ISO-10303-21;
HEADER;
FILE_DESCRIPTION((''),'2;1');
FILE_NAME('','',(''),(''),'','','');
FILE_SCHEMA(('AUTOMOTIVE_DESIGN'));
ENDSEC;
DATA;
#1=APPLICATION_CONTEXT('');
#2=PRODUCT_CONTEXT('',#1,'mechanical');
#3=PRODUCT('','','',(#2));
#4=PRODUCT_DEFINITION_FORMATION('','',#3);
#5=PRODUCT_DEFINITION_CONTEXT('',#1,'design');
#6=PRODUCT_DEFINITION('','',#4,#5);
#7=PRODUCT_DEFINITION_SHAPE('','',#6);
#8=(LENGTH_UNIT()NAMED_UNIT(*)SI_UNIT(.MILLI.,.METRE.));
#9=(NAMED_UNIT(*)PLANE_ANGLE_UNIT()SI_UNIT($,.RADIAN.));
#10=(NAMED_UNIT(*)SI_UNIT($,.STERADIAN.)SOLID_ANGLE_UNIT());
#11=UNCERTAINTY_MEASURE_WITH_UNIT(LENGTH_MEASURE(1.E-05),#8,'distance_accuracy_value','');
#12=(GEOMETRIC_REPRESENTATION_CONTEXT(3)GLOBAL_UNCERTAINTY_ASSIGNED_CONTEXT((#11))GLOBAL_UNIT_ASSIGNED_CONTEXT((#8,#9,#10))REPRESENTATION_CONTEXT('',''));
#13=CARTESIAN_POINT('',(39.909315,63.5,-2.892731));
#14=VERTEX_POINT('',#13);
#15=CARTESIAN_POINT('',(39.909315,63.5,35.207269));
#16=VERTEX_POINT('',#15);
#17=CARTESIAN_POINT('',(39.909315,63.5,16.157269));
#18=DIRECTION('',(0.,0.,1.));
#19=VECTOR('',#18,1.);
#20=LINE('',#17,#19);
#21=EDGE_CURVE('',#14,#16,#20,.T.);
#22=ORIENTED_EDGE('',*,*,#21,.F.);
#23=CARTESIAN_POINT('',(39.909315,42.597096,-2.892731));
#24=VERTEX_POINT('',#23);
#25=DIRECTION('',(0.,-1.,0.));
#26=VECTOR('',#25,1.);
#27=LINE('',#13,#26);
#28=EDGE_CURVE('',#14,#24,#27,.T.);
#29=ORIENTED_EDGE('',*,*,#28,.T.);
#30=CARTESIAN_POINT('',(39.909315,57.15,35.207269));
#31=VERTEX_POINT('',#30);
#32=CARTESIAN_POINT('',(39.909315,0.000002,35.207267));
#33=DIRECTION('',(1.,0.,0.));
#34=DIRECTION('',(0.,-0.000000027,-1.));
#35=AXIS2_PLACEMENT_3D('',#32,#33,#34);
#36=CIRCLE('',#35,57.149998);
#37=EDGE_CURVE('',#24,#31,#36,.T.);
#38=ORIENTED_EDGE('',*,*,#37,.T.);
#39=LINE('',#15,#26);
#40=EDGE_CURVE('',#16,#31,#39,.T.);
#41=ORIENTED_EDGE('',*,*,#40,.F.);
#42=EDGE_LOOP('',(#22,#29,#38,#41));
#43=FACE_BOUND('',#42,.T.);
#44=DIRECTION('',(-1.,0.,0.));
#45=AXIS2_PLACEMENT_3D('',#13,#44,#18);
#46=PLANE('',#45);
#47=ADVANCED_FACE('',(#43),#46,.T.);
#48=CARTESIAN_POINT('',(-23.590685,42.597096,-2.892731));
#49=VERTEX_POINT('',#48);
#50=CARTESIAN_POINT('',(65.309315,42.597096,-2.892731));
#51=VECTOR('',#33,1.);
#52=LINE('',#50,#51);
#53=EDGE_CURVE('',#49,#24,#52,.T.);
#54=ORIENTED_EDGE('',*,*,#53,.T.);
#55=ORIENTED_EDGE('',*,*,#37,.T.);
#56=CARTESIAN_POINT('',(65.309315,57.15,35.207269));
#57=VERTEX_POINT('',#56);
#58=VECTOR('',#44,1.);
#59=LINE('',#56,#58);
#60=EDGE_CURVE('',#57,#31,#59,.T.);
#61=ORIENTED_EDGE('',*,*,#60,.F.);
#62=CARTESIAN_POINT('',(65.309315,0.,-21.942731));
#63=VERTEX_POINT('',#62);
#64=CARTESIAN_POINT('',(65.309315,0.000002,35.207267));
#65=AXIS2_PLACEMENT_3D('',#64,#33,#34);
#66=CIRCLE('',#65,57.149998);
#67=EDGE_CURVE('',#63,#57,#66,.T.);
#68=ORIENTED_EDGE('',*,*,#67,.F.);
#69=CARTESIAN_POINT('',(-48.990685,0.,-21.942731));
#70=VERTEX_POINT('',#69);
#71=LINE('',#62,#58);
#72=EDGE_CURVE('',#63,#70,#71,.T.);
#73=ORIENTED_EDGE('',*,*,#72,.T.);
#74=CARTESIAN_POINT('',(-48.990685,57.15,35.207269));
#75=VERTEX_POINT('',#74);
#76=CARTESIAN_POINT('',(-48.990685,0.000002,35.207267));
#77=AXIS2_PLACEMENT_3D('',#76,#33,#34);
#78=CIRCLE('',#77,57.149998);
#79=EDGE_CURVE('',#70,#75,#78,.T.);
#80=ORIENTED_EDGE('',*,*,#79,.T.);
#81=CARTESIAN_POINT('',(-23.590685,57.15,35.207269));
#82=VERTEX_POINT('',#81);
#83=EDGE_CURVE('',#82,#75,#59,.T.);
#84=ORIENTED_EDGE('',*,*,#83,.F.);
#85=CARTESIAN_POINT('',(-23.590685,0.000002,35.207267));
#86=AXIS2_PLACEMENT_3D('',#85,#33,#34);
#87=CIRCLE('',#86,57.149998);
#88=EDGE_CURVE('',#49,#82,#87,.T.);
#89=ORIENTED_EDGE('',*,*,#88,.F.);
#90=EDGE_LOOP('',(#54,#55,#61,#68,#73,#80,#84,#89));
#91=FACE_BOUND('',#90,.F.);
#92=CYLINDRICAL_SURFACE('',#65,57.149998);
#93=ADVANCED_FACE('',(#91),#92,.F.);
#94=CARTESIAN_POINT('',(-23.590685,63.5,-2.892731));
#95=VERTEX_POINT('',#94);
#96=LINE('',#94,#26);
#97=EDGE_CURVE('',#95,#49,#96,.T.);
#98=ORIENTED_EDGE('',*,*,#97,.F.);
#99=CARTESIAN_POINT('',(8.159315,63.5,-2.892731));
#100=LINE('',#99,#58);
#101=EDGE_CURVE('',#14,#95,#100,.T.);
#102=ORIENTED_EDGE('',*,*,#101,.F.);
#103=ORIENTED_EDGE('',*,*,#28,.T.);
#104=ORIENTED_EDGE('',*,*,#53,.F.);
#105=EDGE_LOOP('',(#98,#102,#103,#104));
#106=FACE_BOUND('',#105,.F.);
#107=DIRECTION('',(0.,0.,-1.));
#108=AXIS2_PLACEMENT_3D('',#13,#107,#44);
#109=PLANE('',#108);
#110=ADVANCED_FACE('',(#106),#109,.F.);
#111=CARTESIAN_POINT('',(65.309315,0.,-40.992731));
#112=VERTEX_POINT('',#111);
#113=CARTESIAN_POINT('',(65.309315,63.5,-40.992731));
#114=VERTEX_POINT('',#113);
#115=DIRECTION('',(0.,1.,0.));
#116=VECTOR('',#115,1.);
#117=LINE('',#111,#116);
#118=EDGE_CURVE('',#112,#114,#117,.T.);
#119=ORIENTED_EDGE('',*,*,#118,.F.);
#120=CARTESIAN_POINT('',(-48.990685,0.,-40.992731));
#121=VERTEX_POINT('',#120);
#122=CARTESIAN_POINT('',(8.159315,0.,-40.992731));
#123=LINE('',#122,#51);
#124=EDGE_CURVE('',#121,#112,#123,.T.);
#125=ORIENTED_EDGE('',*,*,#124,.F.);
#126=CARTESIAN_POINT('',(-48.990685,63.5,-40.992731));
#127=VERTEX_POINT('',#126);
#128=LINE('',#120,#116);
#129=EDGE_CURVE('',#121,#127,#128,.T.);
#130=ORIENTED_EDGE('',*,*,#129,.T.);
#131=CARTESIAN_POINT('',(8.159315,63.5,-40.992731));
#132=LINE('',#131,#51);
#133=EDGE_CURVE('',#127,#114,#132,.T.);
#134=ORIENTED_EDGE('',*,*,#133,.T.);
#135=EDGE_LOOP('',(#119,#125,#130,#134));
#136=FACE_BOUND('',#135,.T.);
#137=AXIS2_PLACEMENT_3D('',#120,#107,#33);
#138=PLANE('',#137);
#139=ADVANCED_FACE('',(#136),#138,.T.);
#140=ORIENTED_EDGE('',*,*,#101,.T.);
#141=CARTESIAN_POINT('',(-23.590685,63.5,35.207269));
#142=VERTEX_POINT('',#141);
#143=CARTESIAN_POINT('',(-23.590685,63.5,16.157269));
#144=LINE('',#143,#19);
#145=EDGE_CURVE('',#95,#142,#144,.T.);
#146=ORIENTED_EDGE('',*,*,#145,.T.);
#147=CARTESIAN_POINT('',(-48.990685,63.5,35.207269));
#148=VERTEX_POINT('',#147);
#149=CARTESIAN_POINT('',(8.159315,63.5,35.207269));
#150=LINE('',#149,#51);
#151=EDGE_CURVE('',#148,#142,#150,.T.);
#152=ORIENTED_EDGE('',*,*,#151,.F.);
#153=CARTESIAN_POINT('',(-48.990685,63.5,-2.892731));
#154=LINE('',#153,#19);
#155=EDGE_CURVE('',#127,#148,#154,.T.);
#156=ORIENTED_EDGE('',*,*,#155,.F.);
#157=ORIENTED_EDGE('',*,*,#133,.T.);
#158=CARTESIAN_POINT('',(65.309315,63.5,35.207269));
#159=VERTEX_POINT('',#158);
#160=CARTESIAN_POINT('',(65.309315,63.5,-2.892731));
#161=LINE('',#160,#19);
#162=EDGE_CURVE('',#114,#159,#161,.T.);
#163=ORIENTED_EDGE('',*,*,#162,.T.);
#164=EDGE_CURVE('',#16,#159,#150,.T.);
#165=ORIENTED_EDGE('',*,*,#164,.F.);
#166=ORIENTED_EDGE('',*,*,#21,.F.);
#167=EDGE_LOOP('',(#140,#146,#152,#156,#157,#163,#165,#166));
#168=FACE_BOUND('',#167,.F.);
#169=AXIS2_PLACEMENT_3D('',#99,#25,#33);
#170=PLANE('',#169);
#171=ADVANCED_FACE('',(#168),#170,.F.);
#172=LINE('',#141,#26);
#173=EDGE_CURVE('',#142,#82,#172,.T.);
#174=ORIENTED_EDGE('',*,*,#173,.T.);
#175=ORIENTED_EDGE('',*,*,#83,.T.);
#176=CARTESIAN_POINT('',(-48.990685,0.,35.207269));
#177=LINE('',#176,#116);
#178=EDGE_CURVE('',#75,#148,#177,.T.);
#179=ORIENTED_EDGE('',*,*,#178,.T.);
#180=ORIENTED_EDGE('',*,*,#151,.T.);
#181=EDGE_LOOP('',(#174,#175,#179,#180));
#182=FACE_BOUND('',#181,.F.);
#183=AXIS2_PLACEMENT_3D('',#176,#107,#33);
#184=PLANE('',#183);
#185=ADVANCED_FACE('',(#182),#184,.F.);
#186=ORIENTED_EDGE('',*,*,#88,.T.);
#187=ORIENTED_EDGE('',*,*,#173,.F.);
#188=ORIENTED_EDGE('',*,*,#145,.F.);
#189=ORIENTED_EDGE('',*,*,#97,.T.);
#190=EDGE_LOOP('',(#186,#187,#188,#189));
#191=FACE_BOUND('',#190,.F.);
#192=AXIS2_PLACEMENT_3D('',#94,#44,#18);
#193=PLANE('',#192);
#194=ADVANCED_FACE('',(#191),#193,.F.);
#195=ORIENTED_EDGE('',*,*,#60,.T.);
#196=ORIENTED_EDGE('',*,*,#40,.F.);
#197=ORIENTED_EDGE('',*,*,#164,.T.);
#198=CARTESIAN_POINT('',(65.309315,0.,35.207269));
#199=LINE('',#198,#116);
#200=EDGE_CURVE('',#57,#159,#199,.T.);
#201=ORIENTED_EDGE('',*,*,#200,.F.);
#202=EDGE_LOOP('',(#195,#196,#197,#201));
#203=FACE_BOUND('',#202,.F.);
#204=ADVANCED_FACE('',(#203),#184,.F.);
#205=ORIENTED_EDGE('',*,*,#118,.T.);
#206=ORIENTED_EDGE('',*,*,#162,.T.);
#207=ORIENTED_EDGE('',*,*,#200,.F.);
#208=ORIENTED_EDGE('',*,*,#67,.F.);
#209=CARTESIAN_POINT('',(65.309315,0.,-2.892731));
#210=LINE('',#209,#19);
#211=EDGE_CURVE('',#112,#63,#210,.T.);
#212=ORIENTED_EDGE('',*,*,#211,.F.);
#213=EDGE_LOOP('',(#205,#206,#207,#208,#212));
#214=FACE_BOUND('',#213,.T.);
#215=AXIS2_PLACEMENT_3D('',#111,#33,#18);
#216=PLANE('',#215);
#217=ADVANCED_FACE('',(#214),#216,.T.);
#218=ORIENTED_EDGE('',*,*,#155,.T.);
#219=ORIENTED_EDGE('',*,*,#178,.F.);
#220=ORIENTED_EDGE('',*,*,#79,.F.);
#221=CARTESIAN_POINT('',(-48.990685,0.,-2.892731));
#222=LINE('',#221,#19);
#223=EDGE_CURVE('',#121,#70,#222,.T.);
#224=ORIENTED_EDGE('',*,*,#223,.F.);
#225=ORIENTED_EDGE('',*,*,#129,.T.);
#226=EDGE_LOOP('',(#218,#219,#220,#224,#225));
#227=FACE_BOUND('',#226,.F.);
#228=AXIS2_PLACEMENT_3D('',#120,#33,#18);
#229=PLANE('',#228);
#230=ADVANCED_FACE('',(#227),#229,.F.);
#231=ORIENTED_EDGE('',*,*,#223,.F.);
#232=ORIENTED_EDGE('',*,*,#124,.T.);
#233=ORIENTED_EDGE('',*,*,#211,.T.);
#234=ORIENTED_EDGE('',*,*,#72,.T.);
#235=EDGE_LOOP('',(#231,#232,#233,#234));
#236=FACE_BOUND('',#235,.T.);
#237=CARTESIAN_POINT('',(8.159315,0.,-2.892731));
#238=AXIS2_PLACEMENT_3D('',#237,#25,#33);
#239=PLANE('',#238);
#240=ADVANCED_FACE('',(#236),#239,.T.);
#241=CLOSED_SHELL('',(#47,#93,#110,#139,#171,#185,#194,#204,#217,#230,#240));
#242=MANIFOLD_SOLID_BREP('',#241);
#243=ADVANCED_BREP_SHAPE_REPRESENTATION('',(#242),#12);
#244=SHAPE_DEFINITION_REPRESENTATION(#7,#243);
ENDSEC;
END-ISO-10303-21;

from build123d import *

# Parameters (mm, degrees)
F0_W     = 114.3
F0_H     = 76.2
F1_DEPTH = 63.5
F3_DEPTH = 114.301
F4_W     = 63.5
F4_H     = 38.1
F5_DEPTH = 63.501


with BuildPart() as f1:
    # F0 (on Front) → F1 (new body)
    with BuildSketch(Plane.XZ):
        with Locations((8.159315, -2.892731)):
            Rectangle(F0_W, F0_H)
    extrude(amount=-F1_DEPTH)

    # F2 (on face) → F3 (cut, through all)
    with BuildSketch(Plane.YZ.offset(65.309315)):
        with BuildLine():
            Line((0, 35.207269), (0, -21.942731))
            ThreePointArc((0, -21.942731), (40.411153, -5.203884), (57.15, 35.207269))
            Line((57.15, 35.207269), (0, 35.207269))
        make_face()
    extrude(amount=-F3_DEPTH, mode=Mode.SUBTRACT)

    # F4 (on face) → F5 (cut, through all)
    with BuildSketch(Plane(origin=(0, 63.5, 0), x_dir=(-1, 0, 0), z_dir=(0, 1, 0))):
        with Locations((-8.159315, 16.157269)):
            Rectangle(F4_W, F4_H)
    extrude(amount=-F5_DEPTH, mode=Mode.SUBTRACT)


solid = f1.part
